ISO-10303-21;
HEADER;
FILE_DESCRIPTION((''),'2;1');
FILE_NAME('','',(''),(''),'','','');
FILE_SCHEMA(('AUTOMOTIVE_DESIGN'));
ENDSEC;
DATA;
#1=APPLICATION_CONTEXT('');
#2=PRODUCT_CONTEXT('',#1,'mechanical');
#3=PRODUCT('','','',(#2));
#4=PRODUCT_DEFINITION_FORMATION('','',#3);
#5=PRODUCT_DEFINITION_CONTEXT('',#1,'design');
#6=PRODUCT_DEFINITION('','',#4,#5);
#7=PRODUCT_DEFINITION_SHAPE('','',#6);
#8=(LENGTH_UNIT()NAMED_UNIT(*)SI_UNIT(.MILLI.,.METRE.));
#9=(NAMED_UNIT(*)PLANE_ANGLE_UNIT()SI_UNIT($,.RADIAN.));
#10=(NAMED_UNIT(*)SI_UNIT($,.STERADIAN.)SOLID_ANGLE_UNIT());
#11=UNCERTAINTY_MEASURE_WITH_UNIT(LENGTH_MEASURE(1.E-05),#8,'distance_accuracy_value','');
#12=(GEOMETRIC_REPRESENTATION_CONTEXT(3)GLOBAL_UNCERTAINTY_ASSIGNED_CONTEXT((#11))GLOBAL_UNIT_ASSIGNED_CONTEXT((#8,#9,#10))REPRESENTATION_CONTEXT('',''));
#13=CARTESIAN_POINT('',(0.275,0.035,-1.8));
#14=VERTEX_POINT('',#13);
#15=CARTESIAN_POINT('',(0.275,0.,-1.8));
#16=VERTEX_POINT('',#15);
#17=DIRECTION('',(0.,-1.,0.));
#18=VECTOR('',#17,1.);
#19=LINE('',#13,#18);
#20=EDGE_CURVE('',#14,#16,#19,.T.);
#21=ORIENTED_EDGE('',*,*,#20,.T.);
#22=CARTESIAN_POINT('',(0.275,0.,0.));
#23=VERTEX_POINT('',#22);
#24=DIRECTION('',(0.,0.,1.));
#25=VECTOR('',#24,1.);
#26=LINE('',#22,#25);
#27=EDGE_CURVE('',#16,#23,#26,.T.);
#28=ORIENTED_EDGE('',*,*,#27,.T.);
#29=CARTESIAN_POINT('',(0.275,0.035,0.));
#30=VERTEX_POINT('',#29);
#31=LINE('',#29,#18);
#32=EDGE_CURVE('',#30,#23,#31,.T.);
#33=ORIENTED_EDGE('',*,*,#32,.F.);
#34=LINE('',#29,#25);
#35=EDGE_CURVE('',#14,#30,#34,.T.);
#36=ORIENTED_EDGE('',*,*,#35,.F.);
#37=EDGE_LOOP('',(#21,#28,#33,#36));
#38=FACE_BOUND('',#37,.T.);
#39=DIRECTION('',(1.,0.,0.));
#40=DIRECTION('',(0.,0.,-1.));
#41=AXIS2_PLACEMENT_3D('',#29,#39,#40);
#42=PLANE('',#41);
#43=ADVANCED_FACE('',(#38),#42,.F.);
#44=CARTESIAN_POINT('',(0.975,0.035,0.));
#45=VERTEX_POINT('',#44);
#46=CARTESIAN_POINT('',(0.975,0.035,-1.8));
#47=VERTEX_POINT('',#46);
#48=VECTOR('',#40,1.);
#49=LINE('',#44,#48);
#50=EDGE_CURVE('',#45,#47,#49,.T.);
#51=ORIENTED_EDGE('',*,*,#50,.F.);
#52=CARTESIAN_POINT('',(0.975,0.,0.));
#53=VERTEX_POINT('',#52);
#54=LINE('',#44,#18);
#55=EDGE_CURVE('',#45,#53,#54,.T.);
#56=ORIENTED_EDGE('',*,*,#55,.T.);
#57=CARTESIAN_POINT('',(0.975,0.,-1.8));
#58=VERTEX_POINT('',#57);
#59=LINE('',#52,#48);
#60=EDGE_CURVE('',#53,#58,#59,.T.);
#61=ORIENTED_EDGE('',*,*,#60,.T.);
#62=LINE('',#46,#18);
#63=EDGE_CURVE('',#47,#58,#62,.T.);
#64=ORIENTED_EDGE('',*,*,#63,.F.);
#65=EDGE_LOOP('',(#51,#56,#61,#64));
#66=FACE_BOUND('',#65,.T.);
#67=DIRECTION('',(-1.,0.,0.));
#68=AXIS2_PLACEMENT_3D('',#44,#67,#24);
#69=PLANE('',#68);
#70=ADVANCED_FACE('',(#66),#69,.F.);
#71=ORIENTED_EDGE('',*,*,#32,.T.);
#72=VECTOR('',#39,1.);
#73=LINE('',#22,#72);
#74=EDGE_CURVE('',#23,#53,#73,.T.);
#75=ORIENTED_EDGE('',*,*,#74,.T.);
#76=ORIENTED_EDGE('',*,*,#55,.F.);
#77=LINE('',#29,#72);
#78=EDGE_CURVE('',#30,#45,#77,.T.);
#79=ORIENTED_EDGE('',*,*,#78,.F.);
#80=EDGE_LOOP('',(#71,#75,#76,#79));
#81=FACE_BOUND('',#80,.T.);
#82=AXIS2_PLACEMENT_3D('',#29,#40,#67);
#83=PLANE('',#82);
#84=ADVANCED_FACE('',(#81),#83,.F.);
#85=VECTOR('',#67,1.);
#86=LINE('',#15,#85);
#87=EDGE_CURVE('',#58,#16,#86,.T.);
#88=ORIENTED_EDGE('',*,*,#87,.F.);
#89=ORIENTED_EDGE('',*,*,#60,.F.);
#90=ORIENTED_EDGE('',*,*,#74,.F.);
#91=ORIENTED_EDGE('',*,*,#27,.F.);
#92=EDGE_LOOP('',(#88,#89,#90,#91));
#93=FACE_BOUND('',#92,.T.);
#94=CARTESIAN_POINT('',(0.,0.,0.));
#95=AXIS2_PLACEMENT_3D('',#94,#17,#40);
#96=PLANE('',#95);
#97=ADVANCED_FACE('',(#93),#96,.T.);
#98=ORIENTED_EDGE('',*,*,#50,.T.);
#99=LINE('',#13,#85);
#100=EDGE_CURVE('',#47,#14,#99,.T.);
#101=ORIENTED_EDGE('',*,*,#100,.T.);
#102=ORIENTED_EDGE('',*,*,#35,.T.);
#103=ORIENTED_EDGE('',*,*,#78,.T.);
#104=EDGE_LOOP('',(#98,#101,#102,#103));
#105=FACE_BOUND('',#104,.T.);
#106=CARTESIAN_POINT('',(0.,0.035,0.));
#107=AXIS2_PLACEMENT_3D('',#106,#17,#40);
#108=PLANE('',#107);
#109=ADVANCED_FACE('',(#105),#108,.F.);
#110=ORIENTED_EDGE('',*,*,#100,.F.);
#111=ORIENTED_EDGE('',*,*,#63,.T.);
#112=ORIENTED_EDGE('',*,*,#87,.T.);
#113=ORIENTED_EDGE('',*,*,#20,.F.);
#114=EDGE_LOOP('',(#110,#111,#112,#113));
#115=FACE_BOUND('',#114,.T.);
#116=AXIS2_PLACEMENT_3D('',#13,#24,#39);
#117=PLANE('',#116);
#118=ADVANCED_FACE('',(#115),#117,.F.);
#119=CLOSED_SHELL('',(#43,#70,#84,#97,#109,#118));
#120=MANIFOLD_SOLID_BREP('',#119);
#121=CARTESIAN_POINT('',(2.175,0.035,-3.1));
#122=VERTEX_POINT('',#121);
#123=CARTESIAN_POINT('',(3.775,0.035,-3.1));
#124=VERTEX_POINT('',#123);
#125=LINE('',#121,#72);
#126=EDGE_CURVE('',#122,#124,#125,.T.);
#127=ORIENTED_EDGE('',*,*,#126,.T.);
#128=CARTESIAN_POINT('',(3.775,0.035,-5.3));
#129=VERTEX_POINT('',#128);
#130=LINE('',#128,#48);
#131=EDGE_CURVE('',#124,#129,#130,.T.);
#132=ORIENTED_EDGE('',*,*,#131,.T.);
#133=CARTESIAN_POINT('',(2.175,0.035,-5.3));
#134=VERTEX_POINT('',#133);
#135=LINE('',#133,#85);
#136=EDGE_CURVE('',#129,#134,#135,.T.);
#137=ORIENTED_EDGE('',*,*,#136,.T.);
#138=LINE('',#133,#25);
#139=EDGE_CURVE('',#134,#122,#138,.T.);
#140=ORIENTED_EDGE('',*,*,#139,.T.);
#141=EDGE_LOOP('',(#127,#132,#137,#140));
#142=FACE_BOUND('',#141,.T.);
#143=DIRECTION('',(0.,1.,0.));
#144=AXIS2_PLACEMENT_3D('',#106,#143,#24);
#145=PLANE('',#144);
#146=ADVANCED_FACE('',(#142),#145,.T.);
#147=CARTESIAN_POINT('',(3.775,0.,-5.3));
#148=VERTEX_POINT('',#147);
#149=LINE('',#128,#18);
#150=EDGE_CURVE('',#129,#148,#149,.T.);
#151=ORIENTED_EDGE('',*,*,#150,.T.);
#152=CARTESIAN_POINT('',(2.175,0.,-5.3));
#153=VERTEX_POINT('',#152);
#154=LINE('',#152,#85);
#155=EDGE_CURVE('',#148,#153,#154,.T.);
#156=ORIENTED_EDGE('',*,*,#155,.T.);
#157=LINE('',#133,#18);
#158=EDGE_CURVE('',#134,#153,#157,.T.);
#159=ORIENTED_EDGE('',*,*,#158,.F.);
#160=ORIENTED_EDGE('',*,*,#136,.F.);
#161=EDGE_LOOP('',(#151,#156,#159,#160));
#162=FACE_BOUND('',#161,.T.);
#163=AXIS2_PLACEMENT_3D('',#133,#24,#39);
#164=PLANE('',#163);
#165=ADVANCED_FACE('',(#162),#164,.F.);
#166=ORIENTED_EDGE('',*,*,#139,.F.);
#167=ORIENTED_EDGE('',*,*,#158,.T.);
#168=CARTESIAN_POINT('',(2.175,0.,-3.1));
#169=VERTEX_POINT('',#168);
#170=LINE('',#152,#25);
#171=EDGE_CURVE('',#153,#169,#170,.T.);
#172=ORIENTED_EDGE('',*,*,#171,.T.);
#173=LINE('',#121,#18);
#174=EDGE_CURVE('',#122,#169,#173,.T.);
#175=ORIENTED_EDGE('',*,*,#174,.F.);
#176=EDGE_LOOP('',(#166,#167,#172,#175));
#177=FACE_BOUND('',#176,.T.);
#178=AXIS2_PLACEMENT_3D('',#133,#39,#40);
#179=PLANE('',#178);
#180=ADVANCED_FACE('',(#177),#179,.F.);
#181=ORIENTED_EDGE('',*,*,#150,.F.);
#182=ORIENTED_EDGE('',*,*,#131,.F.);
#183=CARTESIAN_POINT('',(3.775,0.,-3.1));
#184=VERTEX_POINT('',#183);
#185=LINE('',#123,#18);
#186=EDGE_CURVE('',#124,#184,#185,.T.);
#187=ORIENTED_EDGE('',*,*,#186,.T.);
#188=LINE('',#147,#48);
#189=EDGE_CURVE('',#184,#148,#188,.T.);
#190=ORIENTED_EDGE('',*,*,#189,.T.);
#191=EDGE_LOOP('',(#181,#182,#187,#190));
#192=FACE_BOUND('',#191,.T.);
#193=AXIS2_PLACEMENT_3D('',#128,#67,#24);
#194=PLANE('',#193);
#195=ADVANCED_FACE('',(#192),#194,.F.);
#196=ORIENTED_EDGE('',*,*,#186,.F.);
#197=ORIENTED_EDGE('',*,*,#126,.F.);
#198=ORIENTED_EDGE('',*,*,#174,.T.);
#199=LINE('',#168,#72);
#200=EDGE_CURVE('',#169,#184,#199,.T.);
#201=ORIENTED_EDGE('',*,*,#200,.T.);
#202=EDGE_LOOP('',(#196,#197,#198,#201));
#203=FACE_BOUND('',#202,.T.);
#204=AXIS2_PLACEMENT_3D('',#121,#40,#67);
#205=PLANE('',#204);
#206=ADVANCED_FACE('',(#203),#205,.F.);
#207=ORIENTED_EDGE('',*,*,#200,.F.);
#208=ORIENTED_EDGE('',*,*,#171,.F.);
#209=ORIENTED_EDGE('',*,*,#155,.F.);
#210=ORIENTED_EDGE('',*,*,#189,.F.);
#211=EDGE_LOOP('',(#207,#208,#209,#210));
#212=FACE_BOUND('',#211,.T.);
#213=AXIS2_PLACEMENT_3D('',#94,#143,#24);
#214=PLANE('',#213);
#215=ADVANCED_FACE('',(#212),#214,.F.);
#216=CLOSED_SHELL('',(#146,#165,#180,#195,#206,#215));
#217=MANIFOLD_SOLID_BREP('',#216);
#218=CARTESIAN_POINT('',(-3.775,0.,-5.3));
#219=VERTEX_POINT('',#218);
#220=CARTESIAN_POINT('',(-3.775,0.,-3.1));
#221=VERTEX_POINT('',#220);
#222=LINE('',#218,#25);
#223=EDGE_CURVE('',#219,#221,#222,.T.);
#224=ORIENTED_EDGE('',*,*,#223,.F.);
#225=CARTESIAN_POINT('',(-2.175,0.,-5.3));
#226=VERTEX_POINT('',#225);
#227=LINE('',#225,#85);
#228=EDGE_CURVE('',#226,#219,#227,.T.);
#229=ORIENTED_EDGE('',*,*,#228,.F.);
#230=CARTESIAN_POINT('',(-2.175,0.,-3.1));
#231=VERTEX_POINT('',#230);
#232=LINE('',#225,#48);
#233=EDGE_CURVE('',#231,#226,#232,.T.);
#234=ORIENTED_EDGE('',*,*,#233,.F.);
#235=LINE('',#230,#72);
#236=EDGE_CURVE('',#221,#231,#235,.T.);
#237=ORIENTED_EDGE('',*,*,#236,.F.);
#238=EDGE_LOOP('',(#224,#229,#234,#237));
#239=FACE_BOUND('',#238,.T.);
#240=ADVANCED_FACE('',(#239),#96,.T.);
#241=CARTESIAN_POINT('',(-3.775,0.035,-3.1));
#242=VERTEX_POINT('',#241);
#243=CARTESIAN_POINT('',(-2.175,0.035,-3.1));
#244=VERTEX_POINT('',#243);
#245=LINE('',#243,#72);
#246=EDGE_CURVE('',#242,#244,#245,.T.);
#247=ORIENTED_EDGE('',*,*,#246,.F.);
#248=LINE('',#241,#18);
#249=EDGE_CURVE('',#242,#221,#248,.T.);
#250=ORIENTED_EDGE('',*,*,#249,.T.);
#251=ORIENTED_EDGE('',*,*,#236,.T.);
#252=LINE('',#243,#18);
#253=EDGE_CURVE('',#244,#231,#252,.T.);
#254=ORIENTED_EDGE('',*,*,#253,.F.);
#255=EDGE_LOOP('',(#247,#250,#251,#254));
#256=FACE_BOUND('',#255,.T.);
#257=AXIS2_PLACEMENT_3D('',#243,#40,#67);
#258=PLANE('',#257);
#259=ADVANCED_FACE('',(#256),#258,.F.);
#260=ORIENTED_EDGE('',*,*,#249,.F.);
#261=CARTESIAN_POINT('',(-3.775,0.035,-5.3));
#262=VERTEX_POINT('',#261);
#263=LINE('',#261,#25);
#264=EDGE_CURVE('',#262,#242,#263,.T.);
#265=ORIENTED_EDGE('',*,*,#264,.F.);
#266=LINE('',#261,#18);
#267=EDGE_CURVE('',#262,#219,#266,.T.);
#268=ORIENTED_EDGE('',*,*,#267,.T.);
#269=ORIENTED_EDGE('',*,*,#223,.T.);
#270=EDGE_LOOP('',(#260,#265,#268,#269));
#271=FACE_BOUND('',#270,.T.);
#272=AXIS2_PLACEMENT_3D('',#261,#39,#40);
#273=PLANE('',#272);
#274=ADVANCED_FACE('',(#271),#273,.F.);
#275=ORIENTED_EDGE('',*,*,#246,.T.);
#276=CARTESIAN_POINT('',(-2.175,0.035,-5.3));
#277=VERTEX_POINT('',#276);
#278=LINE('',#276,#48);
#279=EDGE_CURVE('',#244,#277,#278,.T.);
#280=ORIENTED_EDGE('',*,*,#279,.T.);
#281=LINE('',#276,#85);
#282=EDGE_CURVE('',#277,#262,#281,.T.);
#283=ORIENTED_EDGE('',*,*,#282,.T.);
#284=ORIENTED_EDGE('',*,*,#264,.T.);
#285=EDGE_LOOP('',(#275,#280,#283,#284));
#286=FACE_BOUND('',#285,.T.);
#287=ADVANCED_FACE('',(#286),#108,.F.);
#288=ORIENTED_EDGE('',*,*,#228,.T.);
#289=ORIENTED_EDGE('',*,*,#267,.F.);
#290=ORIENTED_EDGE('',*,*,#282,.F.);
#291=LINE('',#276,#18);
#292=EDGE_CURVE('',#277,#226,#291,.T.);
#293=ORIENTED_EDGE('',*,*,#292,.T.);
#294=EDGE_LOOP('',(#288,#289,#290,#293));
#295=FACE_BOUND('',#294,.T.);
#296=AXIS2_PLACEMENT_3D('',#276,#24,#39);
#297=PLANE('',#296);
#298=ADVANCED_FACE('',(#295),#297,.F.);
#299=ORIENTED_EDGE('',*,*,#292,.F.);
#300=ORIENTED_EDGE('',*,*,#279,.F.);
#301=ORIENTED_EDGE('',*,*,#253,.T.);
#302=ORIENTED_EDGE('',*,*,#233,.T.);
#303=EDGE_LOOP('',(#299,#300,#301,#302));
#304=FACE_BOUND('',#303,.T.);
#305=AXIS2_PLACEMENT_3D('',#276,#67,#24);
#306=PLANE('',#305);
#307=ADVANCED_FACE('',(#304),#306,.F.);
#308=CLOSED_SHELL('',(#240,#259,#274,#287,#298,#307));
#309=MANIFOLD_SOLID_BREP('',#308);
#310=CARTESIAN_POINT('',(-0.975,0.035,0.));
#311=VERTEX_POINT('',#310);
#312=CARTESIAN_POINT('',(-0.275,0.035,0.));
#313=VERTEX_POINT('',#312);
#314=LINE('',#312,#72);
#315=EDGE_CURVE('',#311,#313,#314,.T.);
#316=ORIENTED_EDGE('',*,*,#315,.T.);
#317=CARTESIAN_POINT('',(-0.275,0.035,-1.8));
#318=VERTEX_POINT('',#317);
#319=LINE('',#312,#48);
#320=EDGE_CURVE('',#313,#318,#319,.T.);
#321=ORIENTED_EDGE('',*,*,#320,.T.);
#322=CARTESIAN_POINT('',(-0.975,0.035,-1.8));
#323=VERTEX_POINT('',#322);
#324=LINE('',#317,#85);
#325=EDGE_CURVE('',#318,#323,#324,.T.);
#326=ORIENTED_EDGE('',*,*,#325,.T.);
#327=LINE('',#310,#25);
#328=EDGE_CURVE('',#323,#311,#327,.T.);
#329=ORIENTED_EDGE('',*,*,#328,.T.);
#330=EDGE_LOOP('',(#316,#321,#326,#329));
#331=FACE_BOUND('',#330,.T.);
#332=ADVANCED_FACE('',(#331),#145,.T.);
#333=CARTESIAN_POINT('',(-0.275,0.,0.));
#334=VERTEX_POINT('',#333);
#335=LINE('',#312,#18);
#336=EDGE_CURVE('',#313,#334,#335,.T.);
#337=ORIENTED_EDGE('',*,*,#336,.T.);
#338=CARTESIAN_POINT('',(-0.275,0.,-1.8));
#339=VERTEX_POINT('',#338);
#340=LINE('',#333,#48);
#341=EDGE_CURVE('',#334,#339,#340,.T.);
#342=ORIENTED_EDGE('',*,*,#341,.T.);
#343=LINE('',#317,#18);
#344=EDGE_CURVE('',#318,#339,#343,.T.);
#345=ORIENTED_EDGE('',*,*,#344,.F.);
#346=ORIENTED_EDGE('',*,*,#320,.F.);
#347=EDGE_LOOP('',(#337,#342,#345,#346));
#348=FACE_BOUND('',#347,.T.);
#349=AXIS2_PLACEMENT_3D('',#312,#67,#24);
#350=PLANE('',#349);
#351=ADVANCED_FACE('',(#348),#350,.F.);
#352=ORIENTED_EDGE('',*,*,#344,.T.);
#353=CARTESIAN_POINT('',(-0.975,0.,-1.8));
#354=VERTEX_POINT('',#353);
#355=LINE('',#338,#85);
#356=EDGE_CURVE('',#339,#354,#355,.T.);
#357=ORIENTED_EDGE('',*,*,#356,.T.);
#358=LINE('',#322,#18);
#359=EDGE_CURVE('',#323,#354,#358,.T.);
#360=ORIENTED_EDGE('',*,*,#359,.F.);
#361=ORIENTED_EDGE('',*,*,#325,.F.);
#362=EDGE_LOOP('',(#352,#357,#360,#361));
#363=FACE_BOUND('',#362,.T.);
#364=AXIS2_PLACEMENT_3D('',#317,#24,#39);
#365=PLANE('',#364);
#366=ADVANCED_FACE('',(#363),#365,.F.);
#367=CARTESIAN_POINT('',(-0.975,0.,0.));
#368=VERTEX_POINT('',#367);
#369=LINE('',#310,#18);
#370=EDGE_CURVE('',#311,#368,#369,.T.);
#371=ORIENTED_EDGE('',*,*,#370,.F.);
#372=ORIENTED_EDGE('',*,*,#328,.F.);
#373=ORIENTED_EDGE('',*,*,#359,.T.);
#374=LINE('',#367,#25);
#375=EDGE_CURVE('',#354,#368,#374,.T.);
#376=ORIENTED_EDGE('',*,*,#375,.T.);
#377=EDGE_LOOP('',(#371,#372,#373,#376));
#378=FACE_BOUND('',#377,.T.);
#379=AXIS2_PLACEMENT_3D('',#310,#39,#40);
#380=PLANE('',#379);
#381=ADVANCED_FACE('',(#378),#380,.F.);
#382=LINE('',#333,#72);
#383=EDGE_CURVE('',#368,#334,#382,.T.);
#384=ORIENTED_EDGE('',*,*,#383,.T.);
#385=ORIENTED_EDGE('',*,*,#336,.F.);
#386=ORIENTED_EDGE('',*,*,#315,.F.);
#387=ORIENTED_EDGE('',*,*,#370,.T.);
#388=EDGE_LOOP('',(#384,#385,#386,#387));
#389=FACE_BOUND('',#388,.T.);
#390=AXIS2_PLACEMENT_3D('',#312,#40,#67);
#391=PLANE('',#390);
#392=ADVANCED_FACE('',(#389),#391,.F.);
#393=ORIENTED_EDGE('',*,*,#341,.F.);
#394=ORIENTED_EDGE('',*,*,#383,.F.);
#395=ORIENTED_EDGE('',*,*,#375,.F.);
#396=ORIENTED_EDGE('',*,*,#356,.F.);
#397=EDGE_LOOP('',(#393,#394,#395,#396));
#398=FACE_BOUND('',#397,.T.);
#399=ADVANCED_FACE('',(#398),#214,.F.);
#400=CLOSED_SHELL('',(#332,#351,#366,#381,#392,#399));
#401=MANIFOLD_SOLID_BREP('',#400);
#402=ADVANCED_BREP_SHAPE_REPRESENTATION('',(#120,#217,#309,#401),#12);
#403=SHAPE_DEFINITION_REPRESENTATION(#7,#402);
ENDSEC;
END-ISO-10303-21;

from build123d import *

# Parameters (mm, degrees)
SKETCH1_W             = 0.7
SKETCH1_H             = 1.8
BOSS_EXTRUDE1_DEPTH   = 0.035
BOSS_EXTRUDE1_2_DEPTH = 0.035
SKETCH1_W_2           = 1.6
SKETCH1_H_2           = 2.2
BOSS_EXTRUDE1_3_DEPTH = 0.035
BOSS_EXTRUDE1_4_DEPTH = 0.035


with BuildPart() as part:
    # Sketch1 → Boss-Extrude1 (new body)
    with BuildSketch(Plane(origin=(0, 0, 0), x_dir=(1, 0, 0), z_dir=(0, 1, 0))):
        with Locations((-0.625, 0.9)):
            Rectangle(SKETCH1_W, SKETCH1_H)
    extrude(amount=BOSS_EXTRUDE1_DEPTH)


with BuildPart() as body_2:
    # Sketch1 → Boss-Extrude1 2 (new body)
    with BuildSketch(Plane(origin=(0, 0, 0), x_dir=(1, 0, 0), z_dir=(0, 1, 0))):
        with Locations((0.625, 0.9)):
            Rectangle(SKETCH1_W, SKETCH1_H)
    extrude(amount=BOSS_EXTRUDE1_2_DEPTH)


with BuildPart() as body_3:
    # Sketch1 → Boss-Extrude1 3 (new body)
    with BuildSketch(Plane(origin=(0, 0, 0), x_dir=(1, 0, 0), z_dir=(0, 1, 0))):
        with Locations((2.975, 4.2)):
            Rectangle(SKETCH1_W_2, SKETCH1_H_2)
    extrude(amount=BOSS_EXTRUDE1_3_DEPTH)


with BuildPart() as body_4:
    # Sketch1 → Boss-Extrude1 4 (new body)
    with BuildSketch(Plane(origin=(0, 0, 0), x_dir=(1, 0, 0), z_dir=(0, 1, 0))):
        with Locations((-2.975, 4.2)):
            Rectangle(SKETCH1_W_2, SKETCH1_H_2)
    extrude(amount=BOSS_EXTRUDE1_4_DEPTH)


solid = Compound([part.part, body_2.part, body_3.part, body_4.part])
